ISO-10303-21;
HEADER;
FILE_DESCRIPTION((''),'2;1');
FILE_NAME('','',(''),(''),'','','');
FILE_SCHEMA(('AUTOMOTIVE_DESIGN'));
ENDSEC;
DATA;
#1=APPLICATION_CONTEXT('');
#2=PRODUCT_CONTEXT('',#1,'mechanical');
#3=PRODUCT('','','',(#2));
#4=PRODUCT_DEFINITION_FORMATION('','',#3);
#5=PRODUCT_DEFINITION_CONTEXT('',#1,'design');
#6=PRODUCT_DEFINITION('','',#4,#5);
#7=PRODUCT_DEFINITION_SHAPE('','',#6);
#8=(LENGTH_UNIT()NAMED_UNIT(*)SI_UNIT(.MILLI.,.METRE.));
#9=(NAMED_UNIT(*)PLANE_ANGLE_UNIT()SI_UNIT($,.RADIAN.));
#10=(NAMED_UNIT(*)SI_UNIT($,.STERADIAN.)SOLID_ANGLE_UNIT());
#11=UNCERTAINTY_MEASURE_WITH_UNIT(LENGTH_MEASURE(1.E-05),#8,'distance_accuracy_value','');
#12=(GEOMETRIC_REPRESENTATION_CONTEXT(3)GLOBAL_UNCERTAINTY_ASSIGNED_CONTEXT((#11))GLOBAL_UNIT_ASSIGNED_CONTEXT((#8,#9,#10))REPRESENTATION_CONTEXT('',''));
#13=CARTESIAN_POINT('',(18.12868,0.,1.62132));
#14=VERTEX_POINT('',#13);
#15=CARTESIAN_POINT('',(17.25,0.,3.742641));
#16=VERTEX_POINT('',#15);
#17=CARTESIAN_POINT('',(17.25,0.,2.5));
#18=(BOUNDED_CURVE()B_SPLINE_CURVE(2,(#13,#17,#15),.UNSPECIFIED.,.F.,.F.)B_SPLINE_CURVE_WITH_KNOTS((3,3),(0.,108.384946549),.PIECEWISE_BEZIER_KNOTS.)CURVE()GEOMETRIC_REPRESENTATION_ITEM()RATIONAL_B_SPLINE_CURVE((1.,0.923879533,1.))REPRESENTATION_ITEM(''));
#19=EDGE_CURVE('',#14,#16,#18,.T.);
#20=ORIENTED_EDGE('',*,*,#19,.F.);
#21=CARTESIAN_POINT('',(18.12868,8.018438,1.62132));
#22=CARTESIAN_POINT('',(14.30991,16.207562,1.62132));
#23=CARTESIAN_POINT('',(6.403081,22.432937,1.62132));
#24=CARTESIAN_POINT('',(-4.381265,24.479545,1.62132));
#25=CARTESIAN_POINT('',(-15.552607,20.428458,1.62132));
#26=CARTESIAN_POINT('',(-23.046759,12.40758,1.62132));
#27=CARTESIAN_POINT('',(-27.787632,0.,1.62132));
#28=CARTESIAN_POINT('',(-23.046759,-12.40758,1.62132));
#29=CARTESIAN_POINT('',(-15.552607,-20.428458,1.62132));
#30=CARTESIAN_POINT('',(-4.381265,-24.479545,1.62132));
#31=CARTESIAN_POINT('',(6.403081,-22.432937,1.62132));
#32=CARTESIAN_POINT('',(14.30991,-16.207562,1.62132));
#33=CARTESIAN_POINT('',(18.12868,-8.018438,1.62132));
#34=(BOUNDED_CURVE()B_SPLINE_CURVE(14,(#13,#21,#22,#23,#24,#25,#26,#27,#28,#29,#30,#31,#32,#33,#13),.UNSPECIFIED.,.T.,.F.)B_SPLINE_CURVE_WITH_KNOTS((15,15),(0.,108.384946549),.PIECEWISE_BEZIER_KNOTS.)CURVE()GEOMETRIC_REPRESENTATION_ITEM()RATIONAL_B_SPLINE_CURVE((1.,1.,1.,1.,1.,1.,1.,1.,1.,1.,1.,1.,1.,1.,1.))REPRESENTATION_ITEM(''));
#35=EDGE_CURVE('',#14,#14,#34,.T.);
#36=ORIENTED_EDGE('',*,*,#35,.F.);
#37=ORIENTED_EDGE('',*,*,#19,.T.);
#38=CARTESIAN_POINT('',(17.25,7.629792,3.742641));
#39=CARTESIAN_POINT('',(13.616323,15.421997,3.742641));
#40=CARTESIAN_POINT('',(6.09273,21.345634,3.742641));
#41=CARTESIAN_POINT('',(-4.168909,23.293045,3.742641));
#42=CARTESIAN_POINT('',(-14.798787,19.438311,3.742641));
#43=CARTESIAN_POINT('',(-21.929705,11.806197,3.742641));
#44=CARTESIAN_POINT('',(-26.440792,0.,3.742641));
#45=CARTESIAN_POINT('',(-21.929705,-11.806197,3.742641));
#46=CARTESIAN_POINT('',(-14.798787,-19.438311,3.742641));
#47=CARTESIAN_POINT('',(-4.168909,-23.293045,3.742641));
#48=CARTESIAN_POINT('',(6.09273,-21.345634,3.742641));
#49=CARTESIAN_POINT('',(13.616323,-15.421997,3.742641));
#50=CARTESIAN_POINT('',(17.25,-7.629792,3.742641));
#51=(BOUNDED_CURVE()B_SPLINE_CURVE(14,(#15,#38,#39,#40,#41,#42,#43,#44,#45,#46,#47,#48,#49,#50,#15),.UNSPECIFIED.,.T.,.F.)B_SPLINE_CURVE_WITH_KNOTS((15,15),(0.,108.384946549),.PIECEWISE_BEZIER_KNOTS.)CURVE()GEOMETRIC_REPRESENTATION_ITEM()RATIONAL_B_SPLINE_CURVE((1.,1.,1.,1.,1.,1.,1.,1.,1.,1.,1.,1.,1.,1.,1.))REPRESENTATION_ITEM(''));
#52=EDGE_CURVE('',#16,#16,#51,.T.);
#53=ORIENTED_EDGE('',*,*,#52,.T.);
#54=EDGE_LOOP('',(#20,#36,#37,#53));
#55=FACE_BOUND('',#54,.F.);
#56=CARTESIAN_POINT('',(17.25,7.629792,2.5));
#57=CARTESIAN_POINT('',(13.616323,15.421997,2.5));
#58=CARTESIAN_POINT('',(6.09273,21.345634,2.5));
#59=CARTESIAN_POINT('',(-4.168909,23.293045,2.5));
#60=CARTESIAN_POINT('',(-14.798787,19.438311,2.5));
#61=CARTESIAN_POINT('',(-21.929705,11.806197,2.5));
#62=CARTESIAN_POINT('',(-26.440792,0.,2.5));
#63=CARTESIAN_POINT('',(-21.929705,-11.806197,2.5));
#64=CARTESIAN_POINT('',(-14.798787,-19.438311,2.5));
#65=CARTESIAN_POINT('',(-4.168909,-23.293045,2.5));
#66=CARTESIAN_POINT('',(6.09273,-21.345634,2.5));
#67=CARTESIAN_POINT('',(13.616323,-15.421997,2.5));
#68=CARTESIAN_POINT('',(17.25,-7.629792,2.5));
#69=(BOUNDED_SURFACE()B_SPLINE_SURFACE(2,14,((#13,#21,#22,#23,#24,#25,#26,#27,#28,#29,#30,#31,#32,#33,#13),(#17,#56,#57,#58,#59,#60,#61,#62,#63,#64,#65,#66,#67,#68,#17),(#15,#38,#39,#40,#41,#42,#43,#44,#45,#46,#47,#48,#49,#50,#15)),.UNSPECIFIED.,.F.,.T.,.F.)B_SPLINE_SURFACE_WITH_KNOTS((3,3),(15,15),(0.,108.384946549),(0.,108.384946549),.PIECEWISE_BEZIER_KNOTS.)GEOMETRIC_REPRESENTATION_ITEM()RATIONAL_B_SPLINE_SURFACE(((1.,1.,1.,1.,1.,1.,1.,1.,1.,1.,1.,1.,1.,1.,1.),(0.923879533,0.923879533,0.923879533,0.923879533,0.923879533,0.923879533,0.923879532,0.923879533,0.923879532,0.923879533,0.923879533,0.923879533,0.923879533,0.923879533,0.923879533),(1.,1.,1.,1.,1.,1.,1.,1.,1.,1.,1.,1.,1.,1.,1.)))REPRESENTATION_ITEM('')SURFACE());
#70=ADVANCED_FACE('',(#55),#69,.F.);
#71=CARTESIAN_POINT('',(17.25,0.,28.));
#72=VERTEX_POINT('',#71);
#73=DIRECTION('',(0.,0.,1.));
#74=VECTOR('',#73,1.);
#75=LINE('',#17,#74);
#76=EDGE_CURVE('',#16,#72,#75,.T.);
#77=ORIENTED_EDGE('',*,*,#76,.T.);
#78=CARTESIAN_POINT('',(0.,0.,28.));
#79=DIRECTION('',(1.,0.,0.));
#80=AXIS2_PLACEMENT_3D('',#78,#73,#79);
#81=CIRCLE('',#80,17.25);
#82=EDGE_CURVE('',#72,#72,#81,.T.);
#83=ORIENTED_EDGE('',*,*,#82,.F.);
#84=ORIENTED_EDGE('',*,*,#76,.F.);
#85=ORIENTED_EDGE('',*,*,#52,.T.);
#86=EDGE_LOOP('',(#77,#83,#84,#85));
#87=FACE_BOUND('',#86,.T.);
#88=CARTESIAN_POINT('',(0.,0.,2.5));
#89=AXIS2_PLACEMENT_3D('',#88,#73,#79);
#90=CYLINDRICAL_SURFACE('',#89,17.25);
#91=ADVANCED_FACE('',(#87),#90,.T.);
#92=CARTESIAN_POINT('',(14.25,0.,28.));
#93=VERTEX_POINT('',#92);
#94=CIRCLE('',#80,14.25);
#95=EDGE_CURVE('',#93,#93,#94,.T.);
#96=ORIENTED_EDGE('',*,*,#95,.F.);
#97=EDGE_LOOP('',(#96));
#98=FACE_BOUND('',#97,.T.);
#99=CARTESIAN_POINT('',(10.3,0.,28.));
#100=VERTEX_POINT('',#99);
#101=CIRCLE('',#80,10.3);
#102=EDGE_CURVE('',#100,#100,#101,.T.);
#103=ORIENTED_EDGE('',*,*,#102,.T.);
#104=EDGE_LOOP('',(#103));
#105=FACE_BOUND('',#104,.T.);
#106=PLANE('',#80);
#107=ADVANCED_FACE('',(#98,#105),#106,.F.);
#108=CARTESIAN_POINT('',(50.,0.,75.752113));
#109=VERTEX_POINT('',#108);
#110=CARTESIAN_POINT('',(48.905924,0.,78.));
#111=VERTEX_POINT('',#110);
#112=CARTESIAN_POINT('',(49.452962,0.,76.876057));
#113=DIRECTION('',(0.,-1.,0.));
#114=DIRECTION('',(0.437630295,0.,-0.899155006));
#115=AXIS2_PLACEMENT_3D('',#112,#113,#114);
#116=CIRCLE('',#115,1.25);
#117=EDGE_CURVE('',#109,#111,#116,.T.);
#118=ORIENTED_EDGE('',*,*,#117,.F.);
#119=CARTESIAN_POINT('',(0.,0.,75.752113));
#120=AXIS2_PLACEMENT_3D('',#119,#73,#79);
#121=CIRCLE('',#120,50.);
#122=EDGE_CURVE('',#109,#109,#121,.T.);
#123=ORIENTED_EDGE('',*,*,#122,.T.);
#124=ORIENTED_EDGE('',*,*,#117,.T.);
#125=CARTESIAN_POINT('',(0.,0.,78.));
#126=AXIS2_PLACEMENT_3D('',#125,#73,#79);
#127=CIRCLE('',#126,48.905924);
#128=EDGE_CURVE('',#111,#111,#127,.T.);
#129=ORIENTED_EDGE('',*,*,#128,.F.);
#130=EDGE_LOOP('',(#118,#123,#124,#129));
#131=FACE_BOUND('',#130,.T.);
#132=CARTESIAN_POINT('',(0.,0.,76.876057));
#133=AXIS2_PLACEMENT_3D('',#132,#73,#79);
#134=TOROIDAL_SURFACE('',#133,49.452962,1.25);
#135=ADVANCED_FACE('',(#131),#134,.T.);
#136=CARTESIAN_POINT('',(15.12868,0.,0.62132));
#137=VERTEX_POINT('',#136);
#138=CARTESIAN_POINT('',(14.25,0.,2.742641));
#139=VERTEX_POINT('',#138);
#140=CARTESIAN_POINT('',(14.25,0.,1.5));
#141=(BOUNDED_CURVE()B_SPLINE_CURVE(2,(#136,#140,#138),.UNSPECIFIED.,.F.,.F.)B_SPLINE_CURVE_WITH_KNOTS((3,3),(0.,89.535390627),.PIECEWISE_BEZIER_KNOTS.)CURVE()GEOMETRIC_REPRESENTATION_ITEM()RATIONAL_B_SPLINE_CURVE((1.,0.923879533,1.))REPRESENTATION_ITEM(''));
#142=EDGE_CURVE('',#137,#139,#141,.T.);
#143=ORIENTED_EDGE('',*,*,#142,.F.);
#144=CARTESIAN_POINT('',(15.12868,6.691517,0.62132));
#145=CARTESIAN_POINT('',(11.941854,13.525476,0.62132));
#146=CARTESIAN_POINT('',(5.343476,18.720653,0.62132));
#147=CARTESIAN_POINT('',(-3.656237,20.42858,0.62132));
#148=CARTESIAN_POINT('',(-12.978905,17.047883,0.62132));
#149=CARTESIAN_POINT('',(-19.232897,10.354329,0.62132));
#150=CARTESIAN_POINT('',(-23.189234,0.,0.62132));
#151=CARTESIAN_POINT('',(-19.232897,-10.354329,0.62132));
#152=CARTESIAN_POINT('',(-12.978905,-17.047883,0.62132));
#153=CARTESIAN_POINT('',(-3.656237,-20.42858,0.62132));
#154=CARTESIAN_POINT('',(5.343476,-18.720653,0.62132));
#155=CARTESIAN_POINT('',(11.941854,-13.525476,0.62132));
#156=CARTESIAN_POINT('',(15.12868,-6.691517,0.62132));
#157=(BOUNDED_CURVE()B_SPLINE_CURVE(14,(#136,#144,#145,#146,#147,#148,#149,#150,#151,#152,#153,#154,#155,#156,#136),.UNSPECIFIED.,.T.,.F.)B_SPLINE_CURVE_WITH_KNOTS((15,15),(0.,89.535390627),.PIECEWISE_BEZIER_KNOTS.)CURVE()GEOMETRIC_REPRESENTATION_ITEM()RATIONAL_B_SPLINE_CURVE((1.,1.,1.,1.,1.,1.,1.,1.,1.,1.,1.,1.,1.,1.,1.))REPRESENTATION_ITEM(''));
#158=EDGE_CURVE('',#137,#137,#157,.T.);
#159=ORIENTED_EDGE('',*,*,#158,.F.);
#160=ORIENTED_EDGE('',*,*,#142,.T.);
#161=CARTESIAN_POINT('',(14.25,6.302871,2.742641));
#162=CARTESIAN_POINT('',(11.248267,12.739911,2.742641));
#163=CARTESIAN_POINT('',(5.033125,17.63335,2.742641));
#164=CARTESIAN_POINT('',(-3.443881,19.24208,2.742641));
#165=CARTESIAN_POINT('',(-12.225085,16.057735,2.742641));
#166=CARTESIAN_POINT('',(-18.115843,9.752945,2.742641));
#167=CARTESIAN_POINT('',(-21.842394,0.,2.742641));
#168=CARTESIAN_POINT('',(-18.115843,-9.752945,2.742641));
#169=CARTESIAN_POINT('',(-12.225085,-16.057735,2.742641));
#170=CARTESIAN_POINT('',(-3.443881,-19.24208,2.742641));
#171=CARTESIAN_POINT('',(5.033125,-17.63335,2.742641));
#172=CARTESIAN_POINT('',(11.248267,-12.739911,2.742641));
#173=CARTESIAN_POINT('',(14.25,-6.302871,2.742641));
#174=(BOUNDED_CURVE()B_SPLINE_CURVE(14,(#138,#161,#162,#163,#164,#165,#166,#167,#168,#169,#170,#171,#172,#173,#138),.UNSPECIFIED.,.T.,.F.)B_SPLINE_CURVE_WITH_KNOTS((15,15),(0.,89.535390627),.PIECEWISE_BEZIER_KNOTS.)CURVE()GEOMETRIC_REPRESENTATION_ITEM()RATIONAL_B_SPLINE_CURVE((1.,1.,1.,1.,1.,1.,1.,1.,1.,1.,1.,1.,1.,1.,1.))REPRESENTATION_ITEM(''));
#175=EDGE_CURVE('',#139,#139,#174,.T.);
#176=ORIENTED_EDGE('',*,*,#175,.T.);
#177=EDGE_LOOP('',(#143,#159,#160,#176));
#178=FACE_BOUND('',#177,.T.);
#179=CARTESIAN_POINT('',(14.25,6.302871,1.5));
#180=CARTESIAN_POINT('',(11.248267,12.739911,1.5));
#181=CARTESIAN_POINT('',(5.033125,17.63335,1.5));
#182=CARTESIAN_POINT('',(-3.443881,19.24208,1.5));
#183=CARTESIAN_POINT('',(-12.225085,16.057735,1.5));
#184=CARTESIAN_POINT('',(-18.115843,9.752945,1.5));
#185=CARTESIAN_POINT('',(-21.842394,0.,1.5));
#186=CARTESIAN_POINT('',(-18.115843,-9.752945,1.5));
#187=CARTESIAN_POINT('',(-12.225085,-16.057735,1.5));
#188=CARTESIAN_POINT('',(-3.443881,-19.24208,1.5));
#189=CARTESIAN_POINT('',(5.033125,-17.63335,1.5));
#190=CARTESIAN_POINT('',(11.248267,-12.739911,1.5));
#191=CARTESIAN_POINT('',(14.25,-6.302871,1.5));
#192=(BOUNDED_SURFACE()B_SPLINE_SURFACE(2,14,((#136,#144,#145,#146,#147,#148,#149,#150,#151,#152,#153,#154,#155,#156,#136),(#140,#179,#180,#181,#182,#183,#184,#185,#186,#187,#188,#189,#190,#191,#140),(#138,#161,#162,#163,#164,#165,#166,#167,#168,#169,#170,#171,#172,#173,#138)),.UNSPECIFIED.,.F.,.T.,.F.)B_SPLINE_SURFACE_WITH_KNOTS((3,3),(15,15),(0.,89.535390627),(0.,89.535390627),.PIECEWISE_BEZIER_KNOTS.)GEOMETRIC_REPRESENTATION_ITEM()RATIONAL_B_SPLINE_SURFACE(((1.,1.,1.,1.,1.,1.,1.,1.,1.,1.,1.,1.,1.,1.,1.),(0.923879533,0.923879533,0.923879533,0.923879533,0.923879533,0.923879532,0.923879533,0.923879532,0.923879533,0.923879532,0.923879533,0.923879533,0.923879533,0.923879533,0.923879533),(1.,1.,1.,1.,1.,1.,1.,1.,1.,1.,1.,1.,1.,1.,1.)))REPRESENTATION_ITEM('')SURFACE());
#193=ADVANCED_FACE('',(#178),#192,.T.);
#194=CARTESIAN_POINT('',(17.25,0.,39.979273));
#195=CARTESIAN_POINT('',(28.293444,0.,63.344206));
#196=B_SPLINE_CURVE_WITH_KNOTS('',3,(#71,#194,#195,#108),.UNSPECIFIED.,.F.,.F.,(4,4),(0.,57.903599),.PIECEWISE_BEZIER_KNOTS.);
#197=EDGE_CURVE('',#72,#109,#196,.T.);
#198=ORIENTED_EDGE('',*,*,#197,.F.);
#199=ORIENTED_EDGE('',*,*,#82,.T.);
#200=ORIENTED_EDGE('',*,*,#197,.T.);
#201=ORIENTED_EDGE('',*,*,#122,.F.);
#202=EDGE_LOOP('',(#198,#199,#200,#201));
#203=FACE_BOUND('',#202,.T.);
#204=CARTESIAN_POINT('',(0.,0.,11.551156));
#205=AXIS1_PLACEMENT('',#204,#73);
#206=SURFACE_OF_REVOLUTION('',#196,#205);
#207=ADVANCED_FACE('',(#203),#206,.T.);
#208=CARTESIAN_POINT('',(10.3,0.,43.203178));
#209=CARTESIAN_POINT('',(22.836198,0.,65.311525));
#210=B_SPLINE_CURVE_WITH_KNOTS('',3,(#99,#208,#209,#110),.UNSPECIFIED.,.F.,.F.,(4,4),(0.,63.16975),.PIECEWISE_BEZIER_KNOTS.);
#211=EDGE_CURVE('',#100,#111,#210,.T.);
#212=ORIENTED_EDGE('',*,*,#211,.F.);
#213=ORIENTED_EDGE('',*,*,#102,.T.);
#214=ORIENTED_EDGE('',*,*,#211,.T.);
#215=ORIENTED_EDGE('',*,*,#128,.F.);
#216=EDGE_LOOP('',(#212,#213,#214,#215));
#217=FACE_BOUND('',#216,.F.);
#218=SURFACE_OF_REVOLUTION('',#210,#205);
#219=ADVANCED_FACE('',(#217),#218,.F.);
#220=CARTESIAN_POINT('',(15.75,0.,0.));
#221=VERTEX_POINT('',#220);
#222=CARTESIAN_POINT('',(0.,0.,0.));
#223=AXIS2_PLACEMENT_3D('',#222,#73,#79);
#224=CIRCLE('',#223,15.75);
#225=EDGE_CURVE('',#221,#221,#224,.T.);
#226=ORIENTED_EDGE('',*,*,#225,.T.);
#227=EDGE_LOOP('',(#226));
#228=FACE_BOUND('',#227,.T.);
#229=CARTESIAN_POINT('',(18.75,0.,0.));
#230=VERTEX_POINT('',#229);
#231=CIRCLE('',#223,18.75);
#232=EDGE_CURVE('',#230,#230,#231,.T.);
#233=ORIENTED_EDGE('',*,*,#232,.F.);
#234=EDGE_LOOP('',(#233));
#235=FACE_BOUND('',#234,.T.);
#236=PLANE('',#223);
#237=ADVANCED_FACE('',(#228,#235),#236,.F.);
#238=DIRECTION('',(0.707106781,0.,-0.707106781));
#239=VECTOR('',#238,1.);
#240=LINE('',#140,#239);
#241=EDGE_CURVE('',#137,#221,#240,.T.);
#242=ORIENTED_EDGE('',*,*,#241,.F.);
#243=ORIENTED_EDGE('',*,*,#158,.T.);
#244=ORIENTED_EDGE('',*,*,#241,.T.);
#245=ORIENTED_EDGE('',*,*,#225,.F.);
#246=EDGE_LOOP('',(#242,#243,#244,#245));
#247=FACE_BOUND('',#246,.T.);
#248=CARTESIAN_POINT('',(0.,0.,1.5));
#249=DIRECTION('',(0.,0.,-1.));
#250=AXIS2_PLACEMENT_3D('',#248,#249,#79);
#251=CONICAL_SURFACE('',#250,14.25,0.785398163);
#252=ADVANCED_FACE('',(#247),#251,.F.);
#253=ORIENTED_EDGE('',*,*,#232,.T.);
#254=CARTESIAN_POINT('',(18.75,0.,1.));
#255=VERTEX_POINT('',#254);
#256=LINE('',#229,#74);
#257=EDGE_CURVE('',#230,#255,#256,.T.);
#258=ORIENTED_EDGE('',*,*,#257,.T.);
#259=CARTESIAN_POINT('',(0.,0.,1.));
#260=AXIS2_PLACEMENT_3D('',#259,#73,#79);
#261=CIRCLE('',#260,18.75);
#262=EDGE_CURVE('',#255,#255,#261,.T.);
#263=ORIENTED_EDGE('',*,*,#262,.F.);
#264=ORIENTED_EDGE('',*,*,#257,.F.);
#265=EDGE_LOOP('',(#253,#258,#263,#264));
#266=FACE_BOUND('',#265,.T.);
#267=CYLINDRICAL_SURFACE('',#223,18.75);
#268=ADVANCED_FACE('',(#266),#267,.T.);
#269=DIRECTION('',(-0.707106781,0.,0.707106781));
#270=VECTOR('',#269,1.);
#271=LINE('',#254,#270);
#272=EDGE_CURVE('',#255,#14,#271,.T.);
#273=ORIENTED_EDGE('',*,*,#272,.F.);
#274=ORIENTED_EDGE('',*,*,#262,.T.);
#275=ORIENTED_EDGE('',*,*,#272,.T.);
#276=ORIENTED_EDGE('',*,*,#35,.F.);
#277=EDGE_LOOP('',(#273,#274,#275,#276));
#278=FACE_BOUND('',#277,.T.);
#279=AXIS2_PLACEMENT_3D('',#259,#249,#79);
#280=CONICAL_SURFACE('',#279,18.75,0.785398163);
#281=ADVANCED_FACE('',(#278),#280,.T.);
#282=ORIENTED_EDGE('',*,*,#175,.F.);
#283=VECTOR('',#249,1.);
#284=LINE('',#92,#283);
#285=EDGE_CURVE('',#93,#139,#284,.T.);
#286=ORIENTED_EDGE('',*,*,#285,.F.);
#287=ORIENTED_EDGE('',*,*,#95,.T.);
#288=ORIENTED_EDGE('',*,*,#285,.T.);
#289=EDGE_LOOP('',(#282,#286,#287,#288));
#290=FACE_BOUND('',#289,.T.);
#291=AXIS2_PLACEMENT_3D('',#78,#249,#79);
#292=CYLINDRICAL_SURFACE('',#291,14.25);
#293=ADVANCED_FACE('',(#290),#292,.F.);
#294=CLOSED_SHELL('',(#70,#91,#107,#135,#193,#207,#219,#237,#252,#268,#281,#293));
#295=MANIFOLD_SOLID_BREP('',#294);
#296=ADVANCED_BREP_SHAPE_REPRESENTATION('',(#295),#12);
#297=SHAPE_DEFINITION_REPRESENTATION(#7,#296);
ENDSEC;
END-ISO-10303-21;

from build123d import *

# Parameters (mm, degrees)
F2_R = 3


with BuildPart() as f1:
    # F0 (on Front) → F1 (revolve)
    with BuildSketch(Plane.XZ):
        with BuildLine():
            Line((14.25, 1.5), (15.75, 0))
            Line((15.75, 0), (18.75, 0))
            Line((18.75, 0), (18.75, 1))
            Line((18.75, 1), (17.25, 2.5))
            Line((17.25, 2.5), (17.25, 28))
            add(Edge.make_bspline(
                [(17.25, 28), (17.25, 39.979273), (28.293444, 63.344206), (50, 75.752113)],
                knots=[0, 0, 0, 0, 57.903599, 57.903599, 57.903599, 57.903599], degree=3))
            ThreePointArc((50, 75.752113), (50.576906, 77.423094), (48.905924, 78))
            add(Edge.make_bspline(
                [(10.3, 28), (10.3, 43.203178), (22.836198, 65.311525), (48.905924, 78)],
                knots=[0, 0, 0, 0, 63.16975, 63.16975, 63.16975, 63.16975], degree=3))
            Line((10.3, 28), (14.25, 28))
            Line((14.25, 28), (14.25, 1.5))
        make_face()
    revolve(axis=Axis((0, 0, 11.551156), (0, 0, 1)))

    # F2
    f2_edges = [f1.edges().sort_by_distance(p)[0] for p in [
        (-17.25, 0, 2.5),
        (-14.25, 0, 1.5),
    ]]
    fillet(f2_edges, radius=F2_R)


solid = f1.part
